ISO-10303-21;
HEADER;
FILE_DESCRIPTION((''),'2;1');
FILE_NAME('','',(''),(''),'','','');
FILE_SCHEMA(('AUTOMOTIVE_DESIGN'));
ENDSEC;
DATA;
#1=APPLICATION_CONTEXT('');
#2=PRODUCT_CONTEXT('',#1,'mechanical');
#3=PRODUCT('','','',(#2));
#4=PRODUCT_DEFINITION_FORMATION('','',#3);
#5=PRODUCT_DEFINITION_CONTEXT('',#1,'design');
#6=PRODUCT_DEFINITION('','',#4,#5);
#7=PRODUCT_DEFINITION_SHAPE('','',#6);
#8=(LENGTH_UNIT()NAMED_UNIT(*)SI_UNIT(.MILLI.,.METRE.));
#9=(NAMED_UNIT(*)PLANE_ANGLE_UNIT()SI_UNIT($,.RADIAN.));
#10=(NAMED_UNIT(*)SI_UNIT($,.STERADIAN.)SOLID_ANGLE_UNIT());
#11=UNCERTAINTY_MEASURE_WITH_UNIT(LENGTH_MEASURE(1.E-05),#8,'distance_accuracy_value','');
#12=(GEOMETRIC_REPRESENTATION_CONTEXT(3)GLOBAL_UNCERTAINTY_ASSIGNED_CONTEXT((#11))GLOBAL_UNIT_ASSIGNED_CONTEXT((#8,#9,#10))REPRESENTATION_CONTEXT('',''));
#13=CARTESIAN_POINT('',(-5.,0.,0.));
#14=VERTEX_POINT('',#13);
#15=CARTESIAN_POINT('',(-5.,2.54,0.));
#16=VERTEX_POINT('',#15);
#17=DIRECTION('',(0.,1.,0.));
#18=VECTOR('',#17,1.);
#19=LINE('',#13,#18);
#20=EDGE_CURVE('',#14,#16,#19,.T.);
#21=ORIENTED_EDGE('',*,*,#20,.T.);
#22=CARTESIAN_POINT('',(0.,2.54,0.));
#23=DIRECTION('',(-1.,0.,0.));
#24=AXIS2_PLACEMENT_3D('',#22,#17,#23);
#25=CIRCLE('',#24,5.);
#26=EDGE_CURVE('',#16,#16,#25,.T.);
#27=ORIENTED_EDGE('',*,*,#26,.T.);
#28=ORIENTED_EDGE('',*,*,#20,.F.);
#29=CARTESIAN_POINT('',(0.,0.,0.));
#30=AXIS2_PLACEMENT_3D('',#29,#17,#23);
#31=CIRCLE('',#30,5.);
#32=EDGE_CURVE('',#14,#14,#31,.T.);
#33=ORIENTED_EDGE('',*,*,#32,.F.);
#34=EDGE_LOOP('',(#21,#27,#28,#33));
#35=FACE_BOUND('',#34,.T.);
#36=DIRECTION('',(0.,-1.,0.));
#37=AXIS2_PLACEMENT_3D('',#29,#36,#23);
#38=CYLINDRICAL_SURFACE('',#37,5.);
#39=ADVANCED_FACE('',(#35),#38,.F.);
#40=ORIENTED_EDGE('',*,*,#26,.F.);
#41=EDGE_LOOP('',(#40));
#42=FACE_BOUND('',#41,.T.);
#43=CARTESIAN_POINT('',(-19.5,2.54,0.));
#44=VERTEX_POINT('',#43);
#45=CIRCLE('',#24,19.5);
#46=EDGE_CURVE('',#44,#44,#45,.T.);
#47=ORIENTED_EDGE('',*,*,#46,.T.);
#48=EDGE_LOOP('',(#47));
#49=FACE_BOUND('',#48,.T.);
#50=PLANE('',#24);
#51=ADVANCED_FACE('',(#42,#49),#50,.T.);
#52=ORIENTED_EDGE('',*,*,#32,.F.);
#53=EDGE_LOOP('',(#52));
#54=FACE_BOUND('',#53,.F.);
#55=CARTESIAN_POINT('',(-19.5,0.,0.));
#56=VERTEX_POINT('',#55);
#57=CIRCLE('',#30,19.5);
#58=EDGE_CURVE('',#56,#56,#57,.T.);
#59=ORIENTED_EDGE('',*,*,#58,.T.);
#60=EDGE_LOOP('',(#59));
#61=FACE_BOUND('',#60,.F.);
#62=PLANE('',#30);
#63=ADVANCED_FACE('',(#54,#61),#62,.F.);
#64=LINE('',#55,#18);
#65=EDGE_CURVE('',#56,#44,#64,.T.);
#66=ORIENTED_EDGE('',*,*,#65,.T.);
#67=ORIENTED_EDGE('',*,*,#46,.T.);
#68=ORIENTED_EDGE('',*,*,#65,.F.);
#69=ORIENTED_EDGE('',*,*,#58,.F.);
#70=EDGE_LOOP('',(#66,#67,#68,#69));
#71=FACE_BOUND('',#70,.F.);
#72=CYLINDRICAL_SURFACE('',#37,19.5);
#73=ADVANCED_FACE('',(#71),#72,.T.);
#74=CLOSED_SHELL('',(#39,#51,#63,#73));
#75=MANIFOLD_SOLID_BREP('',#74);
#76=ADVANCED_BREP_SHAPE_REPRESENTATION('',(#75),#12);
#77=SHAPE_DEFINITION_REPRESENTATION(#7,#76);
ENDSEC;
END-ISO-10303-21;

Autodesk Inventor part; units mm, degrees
ref_plane "YZ Plane" through (0, 0, 0) normal (1, 0, 0) x (0, 1, 0)
ref_plane "XZ Plane" through (0, 0, 0) normal (0, 1, 0) x (-1, 0, 0)
ref_plane "XY Plane" through (0, 0, 0) normal (0, 0, 1) x (1, 0, 0)
sketch "Sketch1" plane through (0, 0, 0) normal (0, 1, 0) x (-1, 0, 0)
  circle A0 centre (0, 0) radius 5
  circle A1 centre (0, 0) radius 19.5
  dimension "d1" = 10
  dimension "d2" = 39
extrude "Extrusion1" add sketch "Sketch1" along normal blind 2.54
properties part number "washer_3_8" material "Steel, Galvanized"
